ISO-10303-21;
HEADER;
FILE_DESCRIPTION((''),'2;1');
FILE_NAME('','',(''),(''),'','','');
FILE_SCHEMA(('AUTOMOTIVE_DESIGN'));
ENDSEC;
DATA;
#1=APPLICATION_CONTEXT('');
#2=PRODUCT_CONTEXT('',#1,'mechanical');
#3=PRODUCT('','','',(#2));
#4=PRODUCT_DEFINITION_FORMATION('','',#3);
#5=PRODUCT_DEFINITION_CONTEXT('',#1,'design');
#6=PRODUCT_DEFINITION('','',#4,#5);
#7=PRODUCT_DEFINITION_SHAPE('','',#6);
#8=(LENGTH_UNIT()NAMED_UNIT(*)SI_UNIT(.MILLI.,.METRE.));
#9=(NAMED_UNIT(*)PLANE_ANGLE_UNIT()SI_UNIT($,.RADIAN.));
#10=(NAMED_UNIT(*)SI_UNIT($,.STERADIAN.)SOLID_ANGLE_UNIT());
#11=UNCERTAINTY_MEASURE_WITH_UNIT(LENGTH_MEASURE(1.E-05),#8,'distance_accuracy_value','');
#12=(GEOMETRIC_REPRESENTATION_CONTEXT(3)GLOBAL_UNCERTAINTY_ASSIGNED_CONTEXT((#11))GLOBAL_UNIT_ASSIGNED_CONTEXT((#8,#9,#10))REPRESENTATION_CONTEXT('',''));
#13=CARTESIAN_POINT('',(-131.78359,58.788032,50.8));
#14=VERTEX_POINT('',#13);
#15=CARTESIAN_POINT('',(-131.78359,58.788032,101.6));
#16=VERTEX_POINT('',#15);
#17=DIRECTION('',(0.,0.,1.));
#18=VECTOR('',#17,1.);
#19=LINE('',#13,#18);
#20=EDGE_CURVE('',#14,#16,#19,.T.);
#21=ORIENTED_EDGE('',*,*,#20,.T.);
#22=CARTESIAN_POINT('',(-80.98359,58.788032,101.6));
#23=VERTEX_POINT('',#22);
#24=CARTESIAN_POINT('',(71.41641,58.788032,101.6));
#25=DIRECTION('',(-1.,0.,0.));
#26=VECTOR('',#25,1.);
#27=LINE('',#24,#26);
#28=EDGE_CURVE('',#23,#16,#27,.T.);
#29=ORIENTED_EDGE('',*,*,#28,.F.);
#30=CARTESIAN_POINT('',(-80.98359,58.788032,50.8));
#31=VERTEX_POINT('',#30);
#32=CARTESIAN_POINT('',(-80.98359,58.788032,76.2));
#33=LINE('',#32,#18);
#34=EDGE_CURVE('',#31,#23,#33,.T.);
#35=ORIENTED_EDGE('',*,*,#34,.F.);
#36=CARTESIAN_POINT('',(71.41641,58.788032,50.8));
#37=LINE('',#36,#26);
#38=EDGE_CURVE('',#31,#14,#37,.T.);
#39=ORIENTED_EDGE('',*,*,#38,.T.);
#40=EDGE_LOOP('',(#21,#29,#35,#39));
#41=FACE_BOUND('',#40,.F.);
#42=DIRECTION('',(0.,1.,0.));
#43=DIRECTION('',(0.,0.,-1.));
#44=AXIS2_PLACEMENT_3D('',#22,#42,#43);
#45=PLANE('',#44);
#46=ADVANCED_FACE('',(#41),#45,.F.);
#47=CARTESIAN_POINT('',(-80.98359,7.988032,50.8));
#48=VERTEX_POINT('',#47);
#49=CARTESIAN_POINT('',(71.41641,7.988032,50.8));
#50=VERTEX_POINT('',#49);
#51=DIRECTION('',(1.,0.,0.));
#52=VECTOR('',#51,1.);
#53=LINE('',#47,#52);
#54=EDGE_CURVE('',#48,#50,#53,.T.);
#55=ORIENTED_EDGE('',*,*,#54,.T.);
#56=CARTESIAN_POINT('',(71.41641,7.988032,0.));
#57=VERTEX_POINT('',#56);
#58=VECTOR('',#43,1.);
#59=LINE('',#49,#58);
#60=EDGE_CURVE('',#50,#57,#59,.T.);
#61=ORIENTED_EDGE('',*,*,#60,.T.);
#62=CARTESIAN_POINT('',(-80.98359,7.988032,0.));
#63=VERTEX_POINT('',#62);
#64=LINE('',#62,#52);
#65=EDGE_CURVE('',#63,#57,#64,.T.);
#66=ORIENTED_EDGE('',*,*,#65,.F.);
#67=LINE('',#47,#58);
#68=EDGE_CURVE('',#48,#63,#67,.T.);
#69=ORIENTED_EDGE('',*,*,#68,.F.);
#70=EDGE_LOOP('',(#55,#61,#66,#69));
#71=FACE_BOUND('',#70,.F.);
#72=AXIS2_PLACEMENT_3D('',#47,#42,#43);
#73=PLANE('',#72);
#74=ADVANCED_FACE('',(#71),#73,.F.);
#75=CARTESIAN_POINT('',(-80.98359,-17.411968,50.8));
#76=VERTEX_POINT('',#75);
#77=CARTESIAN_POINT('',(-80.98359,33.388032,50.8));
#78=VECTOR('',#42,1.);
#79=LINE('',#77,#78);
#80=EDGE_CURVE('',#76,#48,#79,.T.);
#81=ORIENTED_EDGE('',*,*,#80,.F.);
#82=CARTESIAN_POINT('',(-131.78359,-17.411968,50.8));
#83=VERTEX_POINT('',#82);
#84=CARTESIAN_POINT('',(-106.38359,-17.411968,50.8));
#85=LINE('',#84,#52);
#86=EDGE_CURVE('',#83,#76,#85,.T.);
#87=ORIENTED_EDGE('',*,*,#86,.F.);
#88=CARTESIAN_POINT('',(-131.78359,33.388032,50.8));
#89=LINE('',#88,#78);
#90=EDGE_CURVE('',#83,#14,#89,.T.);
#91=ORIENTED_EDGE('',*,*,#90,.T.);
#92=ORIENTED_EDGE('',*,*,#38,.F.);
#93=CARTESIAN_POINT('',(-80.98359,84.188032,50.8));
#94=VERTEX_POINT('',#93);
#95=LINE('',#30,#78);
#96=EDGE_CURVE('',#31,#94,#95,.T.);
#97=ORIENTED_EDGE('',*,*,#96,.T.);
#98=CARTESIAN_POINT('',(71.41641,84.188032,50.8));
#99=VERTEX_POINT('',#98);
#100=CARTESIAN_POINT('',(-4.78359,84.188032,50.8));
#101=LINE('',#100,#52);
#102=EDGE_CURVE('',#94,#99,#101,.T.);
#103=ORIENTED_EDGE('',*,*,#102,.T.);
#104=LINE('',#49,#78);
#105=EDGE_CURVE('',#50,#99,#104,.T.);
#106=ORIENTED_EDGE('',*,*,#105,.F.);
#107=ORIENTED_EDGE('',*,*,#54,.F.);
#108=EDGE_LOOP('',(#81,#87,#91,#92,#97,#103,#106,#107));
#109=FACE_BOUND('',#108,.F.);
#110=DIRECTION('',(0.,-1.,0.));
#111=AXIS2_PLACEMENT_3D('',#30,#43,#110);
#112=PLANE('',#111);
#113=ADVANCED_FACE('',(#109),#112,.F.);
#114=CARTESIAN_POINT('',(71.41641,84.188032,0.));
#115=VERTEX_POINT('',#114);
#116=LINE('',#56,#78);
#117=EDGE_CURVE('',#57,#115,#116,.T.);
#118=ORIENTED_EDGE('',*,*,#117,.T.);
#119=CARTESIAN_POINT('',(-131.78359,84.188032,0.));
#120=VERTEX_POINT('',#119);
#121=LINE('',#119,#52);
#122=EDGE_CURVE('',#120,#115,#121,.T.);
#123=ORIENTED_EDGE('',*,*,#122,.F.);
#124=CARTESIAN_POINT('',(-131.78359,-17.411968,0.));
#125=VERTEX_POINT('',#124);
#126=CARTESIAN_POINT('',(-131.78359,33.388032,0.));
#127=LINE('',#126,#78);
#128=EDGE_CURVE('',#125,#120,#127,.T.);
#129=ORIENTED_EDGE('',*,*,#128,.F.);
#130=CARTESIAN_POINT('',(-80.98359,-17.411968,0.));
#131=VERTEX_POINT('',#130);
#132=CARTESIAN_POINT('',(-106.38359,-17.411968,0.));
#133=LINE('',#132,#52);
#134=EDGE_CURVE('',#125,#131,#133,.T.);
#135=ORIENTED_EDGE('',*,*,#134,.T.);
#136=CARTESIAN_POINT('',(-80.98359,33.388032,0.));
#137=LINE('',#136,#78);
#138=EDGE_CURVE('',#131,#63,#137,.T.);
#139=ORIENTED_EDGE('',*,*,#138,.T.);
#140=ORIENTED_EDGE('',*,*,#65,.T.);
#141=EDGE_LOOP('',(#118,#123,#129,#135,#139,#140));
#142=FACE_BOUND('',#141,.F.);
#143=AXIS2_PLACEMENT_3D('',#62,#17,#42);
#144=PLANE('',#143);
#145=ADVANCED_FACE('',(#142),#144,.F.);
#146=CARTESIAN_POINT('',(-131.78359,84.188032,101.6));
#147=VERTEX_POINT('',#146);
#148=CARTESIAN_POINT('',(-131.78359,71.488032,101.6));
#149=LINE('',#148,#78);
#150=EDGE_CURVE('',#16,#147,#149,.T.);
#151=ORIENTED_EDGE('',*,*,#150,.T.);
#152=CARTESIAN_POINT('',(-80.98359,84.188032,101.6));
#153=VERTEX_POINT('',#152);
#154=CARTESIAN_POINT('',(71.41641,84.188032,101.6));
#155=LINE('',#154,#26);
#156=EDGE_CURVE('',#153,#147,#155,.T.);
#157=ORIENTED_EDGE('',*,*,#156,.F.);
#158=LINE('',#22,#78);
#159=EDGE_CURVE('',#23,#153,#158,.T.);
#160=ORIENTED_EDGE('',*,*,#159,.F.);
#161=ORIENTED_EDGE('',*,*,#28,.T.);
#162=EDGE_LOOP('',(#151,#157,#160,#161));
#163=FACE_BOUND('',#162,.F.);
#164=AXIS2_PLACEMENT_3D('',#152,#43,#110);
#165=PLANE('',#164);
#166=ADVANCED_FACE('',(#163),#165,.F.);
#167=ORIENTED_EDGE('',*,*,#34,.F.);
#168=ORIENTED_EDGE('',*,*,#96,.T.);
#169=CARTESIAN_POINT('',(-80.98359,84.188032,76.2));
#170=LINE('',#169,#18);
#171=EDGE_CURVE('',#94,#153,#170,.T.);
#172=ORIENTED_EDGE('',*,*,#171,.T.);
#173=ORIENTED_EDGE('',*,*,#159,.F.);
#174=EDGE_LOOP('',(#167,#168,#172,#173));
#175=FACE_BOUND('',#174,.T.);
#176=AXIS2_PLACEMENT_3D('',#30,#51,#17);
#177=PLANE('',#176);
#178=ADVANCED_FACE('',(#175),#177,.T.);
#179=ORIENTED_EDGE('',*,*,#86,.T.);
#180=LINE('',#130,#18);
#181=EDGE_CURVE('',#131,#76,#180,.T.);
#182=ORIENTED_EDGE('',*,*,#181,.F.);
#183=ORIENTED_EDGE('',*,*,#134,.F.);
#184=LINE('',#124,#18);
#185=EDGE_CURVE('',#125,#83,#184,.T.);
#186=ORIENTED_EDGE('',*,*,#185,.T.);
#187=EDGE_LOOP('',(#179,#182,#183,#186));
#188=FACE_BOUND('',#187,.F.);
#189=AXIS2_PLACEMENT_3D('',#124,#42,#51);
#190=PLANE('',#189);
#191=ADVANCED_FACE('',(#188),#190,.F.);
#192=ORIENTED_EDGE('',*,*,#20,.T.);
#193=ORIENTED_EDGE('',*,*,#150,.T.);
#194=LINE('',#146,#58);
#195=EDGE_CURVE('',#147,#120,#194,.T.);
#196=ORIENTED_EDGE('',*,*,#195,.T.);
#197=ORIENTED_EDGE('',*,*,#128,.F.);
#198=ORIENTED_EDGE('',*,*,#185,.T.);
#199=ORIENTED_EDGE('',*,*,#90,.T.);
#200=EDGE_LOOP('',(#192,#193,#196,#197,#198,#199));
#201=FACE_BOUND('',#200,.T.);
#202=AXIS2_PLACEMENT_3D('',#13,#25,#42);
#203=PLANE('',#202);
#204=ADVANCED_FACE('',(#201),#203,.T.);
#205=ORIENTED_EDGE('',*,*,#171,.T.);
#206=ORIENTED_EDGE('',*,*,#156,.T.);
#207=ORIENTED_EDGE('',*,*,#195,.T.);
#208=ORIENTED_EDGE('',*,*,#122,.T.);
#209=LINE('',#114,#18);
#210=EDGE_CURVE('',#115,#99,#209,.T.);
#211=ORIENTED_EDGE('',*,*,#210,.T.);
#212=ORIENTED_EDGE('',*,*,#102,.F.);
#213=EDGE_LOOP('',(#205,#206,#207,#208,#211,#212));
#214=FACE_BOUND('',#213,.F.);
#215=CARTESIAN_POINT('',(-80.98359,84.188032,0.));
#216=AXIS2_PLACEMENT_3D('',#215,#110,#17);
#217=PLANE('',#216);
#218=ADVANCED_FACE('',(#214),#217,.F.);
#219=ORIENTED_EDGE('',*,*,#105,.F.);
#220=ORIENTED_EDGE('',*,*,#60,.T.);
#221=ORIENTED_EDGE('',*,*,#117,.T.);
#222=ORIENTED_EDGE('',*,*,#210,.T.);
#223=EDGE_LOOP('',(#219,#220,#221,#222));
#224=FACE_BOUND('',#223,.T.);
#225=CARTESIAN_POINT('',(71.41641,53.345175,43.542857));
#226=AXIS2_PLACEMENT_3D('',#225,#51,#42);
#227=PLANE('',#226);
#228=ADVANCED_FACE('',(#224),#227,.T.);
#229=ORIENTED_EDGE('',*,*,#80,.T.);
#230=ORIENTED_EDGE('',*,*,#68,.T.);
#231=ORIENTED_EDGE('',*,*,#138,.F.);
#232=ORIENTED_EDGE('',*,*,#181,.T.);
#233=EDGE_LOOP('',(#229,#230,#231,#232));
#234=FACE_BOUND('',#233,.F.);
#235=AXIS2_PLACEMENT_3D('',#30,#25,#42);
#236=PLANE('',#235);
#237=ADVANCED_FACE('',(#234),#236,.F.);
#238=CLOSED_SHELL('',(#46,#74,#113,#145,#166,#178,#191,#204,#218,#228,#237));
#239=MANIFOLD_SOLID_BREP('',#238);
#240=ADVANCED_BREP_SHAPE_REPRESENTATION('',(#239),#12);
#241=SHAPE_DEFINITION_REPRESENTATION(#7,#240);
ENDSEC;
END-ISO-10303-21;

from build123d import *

# Parameters (mm, degrees)
F0_W     = 50.8
F0_H     = 101.6
F1_DEPTH = 50.8
F2_W     = 50.8
F2_H     = 25.4
F3_DEPTH = 50.8
F5_DEPTH = 152.4
F6_W     = 152.4
F6_H     = 50.8
F7_DEPTH = 25.4


with BuildPart() as f1:
    # F0 (on Top) → F1 (new body)
    with BuildSketch(Plane.XY):
        with Locations((-106.38359, 33.388032)):
            Rectangle(F0_W, F0_H)
    extrude(amount=F1_DEPTH)

    # F2 (on face) → F3 (join)
    with BuildSketch(Plane.XY.offset(50.8)):
        with Locations((-106.38359, 71.488032)):
            Rectangle(F2_W, F2_H)
    extrude(amount=F3_DEPTH)

    # F4 (on face) → F5 (join)
    with BuildSketch(Plane.YZ.offset(-80.98359)):
        Polygon((58.788032, 50.8), (7.988032, 50.8), (7.988032, 0), (84.188032, 0), (84.188032, 101.6), (58.788032, 101.6), align=None)
    extrude(amount=F5_DEPTH)

    # F6 (on face) → F7 (cut)
    with BuildSketch(Plane.XZ.offset(-58.788032)):
        with Locations((-4.78359, 76.2)):
            Rectangle(F6_W, F6_H)
    extrude(amount=-F7_DEPTH, mode=Mode.SUBTRACT)


solid = f1.part
